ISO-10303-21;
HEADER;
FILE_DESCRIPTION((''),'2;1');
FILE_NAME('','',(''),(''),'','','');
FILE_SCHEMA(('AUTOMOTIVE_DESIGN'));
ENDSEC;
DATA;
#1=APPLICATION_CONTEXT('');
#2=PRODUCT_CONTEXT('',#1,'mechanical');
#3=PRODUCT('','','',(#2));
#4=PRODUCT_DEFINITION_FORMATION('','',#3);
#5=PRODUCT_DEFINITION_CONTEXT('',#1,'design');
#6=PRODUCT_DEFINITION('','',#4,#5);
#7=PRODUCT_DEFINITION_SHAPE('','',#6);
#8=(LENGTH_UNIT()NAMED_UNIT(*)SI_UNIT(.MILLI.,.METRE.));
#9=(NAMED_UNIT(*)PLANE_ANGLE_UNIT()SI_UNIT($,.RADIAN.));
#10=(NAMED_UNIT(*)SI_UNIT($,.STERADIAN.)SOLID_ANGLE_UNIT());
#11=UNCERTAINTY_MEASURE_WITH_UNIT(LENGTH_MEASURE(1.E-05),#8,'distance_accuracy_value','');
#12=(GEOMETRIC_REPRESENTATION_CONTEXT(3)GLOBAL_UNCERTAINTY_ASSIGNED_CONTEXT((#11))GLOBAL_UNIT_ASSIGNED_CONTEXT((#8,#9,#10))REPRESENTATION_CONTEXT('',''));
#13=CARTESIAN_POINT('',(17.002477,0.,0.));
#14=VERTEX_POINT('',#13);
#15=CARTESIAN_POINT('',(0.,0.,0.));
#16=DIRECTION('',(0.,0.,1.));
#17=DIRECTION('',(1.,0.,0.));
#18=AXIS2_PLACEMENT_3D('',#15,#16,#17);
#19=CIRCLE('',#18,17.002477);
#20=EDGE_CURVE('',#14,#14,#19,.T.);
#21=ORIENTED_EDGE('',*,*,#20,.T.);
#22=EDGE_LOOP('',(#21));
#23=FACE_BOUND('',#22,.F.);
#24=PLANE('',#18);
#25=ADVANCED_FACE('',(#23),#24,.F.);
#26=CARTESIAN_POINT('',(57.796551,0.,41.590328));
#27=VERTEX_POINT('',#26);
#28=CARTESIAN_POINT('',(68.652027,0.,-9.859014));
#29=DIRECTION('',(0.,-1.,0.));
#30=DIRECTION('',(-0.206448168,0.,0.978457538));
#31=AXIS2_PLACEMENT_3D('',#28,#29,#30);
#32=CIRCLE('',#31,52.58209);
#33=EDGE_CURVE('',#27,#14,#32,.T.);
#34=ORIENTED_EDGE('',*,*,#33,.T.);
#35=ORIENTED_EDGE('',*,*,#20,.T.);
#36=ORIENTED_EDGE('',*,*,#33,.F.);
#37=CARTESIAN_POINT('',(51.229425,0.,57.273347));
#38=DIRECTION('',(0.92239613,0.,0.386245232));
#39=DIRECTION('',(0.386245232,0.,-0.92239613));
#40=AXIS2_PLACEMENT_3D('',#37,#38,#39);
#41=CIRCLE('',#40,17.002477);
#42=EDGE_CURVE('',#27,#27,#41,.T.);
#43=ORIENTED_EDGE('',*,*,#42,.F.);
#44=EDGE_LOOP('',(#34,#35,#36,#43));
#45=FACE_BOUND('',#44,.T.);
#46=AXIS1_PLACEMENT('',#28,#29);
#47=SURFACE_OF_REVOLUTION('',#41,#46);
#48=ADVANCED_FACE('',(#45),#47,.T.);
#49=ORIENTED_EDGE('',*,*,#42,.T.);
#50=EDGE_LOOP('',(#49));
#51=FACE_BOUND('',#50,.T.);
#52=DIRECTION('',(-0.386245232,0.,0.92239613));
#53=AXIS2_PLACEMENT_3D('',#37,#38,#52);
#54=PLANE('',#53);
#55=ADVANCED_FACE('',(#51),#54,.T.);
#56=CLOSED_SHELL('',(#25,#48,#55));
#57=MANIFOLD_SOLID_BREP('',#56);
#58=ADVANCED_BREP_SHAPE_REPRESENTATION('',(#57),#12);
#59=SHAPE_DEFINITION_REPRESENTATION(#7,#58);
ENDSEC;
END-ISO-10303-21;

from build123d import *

# Parameters (mm, degrees)
F1_R = 17.002477


with BuildPart() as f2:
    # F2: sweep along a path in F0
    with BuildLine(Plane.XZ) as f2_path:
        ThreePointArc((51.229425, 57.273347), (16.958028, 36.379838), (0, 0))
    # F1 (on Top) → F2 (sweep)
    with BuildSketch(Plane.XY):
        Circle(F1_R)
    sweep(path=f2_path.line)


solid = f2.part
